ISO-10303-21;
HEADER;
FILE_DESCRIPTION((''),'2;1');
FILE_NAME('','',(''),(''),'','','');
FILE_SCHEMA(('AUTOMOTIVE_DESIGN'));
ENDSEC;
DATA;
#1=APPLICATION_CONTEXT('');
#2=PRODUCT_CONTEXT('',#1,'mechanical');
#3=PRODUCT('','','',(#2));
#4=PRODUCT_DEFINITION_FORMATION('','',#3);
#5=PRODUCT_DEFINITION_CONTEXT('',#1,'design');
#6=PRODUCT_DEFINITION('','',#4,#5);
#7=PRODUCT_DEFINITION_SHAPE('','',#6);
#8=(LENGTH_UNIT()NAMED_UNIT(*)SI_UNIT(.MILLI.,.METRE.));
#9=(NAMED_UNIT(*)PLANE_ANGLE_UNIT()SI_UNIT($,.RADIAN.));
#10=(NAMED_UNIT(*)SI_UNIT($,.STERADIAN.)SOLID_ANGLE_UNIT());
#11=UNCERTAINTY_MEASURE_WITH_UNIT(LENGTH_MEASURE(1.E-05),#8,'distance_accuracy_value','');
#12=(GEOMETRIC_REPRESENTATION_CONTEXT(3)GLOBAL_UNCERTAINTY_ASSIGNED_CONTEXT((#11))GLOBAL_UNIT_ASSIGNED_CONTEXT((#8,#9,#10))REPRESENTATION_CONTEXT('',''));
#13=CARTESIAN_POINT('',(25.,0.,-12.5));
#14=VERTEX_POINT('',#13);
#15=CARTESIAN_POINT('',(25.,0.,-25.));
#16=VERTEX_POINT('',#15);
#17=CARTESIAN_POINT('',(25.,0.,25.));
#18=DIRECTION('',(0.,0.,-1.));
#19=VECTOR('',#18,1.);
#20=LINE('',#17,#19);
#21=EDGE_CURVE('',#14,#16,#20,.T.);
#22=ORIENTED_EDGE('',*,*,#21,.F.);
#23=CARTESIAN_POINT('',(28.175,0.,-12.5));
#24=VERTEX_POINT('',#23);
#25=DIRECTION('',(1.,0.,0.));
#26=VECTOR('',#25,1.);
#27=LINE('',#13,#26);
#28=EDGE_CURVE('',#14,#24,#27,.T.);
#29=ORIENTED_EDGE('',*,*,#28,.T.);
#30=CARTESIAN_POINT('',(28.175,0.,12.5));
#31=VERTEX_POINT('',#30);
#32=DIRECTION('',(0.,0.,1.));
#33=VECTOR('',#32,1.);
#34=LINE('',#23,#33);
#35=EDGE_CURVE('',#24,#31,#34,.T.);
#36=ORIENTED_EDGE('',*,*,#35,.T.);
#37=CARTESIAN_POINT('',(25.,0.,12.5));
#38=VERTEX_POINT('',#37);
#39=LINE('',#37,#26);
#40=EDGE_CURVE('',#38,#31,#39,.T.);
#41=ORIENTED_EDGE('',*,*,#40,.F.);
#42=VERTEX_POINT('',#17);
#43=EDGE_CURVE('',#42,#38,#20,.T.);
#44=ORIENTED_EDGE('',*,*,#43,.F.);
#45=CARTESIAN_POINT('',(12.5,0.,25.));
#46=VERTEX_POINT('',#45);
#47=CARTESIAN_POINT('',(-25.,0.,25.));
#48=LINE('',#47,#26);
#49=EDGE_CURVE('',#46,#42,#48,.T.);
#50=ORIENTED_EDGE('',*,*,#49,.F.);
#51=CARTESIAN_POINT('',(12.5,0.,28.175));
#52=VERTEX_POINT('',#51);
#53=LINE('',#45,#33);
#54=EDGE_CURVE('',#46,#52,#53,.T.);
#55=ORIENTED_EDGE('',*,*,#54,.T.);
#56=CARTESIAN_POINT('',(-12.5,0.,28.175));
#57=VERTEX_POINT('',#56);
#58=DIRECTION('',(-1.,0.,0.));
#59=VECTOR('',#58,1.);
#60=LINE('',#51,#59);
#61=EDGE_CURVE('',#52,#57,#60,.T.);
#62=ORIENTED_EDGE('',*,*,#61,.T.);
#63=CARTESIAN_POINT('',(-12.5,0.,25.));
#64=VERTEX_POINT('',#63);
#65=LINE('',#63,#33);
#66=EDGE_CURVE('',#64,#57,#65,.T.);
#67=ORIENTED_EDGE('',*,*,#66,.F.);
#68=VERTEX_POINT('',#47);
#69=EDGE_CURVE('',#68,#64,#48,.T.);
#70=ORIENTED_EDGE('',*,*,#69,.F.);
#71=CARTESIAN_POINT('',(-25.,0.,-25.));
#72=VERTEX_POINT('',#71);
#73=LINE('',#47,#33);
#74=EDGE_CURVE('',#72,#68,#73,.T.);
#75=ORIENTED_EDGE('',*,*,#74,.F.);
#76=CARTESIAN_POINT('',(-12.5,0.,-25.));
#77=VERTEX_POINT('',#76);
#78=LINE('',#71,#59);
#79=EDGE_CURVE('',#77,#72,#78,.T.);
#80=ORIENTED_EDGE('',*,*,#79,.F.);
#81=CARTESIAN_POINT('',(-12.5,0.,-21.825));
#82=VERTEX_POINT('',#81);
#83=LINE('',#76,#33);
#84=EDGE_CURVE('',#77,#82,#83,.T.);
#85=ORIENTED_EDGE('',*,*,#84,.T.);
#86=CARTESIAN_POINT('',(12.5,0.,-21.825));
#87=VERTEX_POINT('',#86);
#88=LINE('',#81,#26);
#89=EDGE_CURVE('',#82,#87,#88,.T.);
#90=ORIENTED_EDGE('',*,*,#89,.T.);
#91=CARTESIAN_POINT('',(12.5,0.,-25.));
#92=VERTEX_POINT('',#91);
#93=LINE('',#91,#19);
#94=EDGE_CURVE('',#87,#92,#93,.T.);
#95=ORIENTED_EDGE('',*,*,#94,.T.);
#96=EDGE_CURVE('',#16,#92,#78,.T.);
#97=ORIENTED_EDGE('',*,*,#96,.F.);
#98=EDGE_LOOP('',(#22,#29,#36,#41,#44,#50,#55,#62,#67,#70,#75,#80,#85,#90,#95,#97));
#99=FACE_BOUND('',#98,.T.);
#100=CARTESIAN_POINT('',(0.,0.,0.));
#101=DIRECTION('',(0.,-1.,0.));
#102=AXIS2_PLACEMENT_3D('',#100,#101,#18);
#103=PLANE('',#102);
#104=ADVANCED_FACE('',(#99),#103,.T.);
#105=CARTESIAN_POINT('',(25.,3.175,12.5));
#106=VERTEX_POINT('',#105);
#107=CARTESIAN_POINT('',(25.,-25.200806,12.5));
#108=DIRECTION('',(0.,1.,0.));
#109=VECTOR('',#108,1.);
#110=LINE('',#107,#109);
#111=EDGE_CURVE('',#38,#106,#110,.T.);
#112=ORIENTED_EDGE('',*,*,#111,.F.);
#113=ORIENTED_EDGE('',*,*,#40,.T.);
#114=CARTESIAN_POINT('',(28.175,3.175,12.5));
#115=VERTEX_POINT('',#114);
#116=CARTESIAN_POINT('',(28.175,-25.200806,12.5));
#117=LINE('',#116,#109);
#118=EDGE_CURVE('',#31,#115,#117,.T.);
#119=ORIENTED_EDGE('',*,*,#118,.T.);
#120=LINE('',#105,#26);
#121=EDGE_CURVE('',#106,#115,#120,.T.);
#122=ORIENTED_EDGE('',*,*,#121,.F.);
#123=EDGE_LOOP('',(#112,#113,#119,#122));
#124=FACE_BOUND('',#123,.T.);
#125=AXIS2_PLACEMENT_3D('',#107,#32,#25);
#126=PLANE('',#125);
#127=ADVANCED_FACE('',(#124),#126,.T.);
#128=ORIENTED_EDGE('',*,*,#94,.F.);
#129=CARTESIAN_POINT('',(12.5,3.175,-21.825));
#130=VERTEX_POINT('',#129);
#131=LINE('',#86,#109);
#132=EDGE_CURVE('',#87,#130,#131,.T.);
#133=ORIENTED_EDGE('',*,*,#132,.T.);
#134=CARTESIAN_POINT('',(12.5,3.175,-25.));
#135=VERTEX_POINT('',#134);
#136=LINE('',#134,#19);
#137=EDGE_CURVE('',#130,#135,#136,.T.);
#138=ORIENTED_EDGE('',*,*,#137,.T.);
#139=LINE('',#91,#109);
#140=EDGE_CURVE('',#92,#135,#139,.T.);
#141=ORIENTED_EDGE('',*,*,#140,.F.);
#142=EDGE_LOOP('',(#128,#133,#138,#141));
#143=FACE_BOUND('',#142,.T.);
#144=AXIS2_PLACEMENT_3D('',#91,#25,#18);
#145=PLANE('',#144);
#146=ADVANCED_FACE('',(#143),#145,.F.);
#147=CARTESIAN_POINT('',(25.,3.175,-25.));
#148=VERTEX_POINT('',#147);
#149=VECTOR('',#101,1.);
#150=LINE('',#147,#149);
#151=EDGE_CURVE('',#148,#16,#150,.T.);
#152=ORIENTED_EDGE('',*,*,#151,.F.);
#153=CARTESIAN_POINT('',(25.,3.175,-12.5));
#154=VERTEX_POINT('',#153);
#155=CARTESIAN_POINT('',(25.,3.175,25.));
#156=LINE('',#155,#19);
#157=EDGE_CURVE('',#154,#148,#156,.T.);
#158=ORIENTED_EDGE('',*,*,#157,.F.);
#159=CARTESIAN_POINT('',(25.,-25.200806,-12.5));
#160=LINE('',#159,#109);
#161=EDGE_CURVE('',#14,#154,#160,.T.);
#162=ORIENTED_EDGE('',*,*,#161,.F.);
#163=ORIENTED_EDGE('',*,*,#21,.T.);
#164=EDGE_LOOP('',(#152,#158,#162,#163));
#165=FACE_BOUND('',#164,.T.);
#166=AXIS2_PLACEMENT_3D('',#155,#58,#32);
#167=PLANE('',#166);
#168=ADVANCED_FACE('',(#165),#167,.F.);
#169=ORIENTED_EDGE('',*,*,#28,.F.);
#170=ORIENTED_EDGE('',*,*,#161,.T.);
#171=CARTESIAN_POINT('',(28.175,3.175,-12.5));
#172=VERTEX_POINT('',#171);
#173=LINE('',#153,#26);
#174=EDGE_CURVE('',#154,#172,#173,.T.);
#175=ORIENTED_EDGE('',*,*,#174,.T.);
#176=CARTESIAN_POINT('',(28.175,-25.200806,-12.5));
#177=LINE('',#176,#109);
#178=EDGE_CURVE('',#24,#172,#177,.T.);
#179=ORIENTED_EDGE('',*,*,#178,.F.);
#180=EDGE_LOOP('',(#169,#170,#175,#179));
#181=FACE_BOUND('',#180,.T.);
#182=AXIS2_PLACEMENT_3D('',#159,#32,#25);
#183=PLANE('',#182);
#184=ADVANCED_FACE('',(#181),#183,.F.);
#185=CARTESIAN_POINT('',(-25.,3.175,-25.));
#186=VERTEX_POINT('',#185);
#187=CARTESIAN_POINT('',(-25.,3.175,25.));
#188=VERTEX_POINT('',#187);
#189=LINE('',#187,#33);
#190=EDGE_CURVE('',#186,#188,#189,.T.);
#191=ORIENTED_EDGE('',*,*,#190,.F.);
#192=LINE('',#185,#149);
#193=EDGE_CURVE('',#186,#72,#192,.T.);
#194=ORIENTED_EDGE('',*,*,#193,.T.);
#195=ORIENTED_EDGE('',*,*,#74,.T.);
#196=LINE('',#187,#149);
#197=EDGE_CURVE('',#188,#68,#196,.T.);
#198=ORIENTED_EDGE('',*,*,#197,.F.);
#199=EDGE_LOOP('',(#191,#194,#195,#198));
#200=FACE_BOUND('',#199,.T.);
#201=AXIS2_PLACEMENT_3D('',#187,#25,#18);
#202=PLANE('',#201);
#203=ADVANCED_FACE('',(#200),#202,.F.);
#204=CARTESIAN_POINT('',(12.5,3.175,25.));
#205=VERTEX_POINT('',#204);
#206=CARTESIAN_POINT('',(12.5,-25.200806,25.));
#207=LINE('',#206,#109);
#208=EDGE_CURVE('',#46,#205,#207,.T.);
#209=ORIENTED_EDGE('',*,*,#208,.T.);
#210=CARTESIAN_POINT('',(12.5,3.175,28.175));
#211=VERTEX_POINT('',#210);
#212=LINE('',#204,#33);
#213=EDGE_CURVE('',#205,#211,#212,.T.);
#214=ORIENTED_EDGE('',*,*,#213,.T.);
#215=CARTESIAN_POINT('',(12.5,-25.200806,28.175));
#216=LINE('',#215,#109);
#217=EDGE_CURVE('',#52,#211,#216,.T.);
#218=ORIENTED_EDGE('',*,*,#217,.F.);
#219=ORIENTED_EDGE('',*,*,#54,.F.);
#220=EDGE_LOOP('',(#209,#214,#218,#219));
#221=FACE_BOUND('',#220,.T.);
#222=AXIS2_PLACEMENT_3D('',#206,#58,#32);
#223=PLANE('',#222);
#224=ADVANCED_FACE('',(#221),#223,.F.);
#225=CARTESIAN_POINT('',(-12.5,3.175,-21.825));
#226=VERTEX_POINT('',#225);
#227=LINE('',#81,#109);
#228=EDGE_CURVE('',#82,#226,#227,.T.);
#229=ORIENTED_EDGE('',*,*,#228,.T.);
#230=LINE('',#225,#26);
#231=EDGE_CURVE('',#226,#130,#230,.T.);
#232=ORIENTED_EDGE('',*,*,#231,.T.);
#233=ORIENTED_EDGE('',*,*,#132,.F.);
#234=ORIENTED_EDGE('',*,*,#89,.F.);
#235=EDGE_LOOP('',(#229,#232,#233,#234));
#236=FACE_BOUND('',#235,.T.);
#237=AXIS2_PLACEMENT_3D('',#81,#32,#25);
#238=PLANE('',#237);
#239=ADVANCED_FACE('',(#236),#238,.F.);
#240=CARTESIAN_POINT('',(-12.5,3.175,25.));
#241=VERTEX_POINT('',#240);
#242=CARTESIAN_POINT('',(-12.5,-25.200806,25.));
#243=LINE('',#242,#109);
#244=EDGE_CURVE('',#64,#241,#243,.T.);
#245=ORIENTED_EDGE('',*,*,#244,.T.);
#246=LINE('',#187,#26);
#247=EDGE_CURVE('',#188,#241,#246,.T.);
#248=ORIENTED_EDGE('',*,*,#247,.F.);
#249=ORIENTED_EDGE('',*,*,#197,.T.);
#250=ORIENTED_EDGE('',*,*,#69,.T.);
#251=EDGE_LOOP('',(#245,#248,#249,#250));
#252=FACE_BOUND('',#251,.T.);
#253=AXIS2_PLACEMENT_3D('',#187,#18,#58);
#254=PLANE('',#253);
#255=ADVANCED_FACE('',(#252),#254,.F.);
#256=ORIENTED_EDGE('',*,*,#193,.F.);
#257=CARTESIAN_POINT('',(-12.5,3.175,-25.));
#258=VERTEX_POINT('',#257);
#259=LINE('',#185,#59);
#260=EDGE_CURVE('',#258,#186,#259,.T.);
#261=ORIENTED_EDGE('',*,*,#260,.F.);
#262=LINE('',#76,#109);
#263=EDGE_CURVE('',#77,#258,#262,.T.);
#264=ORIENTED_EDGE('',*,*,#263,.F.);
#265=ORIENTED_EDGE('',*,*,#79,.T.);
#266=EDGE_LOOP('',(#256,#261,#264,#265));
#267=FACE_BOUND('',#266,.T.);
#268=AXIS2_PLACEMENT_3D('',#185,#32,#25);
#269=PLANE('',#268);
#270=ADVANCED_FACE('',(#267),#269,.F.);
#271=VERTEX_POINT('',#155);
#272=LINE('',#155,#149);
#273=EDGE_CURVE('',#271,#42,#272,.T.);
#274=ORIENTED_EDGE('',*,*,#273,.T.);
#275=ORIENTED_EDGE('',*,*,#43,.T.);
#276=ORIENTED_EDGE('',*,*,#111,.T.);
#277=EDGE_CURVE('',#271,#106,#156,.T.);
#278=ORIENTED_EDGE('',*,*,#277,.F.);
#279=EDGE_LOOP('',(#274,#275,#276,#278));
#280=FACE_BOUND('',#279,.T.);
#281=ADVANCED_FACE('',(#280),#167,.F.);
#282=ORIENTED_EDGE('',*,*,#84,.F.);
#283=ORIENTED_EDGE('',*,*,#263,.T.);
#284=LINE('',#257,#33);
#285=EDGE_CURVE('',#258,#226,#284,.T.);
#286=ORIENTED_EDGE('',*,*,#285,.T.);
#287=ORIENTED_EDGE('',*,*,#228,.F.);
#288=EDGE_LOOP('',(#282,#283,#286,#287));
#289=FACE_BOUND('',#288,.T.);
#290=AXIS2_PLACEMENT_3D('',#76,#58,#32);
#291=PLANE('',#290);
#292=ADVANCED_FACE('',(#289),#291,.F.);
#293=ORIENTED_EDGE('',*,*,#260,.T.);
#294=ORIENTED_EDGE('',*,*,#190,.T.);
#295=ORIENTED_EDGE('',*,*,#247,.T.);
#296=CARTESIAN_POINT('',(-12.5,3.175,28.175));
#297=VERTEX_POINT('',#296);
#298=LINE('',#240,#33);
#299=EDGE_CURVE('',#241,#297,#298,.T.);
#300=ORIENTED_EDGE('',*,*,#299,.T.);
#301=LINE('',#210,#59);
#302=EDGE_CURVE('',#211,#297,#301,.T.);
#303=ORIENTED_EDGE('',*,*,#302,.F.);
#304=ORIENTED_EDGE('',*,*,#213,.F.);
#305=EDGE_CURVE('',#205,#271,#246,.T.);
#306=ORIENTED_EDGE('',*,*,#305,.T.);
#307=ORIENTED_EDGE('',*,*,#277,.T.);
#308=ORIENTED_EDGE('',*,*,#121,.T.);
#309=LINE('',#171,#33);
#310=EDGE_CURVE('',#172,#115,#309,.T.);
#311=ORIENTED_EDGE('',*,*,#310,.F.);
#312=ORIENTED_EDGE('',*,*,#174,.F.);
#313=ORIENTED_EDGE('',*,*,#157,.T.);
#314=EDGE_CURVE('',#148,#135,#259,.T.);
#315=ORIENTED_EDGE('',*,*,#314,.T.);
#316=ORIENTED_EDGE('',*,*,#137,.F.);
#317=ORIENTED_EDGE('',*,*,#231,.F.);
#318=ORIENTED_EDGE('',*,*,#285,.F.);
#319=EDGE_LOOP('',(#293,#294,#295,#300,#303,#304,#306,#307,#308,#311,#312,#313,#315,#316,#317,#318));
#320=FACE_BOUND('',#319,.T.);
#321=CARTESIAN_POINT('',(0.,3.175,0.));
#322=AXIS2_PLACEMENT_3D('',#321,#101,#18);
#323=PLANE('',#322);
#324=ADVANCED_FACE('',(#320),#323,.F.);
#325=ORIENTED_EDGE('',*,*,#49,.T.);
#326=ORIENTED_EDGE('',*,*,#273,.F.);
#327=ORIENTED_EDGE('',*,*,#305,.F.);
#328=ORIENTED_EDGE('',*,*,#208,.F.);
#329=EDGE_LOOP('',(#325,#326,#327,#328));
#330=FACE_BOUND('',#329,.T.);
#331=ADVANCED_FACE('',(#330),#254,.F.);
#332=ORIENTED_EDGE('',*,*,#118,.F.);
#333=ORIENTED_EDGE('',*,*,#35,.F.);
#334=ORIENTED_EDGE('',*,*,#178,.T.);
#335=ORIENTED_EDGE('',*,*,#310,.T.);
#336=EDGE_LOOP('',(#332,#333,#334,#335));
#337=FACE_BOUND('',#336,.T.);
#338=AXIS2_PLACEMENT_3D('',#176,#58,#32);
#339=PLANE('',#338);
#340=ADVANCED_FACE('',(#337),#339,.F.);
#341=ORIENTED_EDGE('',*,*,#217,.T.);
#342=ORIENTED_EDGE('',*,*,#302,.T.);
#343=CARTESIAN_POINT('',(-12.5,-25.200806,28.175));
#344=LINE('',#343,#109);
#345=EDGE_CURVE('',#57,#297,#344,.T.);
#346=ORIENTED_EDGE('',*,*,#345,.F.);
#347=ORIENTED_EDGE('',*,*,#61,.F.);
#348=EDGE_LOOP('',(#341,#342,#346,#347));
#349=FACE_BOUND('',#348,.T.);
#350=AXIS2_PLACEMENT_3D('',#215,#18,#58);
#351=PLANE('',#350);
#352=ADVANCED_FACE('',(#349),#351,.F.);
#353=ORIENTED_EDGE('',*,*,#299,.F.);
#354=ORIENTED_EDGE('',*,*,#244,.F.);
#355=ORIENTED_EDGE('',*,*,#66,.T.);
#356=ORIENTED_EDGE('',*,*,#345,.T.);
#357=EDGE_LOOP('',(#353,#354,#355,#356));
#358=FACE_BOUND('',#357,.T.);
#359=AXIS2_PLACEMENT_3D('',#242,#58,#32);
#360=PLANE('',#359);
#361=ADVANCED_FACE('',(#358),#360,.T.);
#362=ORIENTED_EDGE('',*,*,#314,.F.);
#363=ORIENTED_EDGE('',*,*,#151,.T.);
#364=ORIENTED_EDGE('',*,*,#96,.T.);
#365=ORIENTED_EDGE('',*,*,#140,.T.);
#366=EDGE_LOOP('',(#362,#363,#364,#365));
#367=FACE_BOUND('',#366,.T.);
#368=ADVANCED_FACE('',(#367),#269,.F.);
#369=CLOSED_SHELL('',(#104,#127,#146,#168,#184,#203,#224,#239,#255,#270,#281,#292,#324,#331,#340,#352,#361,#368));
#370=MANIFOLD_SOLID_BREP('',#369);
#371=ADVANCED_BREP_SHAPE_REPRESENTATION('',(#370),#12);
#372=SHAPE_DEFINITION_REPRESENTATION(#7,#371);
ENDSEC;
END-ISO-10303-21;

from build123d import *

# Parameters (mm, degrees)
SKETCH1_W           = 50
SKETCH1_H           = 50
BOSS_EXTRUDE1_DEPTH = 3.175
SKETCH3_W           = 3.175
SKETCH3_H           = 25
SKETCH3_W_2         = 25
SKETCH3_H_2         = 3.175
BOSS_EXTRUDE3_DEPTH = 3.175
SKETCH4_W           = 25
SKETCH4_H           = 3.175
CUT_EXTRUDE1_DEPTH  = 3.175


with BuildPart() as part:
    # Sketch1 → Boss-Extrude1 (new body)
    with BuildSketch(Plane(origin=(0, 0, 0), x_dir=(1, 0, 0), z_dir=(0, 1, 0))):
        Rectangle(SKETCH1_W, SKETCH1_H)
    extrude(amount=BOSS_EXTRUDE1_DEPTH)

    # Sketch3 → Boss-Extrude3 (add)
    with BuildSketch(Plane(origin=(0, 3.175, 0), x_dir=(1, 0, 0), z_dir=(0, 1, 0))):
        with Locations((26.5875, 0)):
            Rectangle(SKETCH3_W, SKETCH3_H)
        with Locations((0, -26.5875)):
            Rectangle(SKETCH3_W_2, SKETCH3_H_2)
    extrude(amount=-BOSS_EXTRUDE3_DEPTH)

    # Sketch4 → Cut-Extrude1 (cut)
    with BuildSketch(Plane(origin=(0, 3.175, 0), x_dir=(1, 0, 0), z_dir=(0, 1, 0))):
        with Locations((0, 23.4125)):
            Rectangle(SKETCH4_W, SKETCH4_H)
    extrude(amount=-CUT_EXTRUDE1_DEPTH, mode=Mode.SUBTRACT)


solid = part.part
